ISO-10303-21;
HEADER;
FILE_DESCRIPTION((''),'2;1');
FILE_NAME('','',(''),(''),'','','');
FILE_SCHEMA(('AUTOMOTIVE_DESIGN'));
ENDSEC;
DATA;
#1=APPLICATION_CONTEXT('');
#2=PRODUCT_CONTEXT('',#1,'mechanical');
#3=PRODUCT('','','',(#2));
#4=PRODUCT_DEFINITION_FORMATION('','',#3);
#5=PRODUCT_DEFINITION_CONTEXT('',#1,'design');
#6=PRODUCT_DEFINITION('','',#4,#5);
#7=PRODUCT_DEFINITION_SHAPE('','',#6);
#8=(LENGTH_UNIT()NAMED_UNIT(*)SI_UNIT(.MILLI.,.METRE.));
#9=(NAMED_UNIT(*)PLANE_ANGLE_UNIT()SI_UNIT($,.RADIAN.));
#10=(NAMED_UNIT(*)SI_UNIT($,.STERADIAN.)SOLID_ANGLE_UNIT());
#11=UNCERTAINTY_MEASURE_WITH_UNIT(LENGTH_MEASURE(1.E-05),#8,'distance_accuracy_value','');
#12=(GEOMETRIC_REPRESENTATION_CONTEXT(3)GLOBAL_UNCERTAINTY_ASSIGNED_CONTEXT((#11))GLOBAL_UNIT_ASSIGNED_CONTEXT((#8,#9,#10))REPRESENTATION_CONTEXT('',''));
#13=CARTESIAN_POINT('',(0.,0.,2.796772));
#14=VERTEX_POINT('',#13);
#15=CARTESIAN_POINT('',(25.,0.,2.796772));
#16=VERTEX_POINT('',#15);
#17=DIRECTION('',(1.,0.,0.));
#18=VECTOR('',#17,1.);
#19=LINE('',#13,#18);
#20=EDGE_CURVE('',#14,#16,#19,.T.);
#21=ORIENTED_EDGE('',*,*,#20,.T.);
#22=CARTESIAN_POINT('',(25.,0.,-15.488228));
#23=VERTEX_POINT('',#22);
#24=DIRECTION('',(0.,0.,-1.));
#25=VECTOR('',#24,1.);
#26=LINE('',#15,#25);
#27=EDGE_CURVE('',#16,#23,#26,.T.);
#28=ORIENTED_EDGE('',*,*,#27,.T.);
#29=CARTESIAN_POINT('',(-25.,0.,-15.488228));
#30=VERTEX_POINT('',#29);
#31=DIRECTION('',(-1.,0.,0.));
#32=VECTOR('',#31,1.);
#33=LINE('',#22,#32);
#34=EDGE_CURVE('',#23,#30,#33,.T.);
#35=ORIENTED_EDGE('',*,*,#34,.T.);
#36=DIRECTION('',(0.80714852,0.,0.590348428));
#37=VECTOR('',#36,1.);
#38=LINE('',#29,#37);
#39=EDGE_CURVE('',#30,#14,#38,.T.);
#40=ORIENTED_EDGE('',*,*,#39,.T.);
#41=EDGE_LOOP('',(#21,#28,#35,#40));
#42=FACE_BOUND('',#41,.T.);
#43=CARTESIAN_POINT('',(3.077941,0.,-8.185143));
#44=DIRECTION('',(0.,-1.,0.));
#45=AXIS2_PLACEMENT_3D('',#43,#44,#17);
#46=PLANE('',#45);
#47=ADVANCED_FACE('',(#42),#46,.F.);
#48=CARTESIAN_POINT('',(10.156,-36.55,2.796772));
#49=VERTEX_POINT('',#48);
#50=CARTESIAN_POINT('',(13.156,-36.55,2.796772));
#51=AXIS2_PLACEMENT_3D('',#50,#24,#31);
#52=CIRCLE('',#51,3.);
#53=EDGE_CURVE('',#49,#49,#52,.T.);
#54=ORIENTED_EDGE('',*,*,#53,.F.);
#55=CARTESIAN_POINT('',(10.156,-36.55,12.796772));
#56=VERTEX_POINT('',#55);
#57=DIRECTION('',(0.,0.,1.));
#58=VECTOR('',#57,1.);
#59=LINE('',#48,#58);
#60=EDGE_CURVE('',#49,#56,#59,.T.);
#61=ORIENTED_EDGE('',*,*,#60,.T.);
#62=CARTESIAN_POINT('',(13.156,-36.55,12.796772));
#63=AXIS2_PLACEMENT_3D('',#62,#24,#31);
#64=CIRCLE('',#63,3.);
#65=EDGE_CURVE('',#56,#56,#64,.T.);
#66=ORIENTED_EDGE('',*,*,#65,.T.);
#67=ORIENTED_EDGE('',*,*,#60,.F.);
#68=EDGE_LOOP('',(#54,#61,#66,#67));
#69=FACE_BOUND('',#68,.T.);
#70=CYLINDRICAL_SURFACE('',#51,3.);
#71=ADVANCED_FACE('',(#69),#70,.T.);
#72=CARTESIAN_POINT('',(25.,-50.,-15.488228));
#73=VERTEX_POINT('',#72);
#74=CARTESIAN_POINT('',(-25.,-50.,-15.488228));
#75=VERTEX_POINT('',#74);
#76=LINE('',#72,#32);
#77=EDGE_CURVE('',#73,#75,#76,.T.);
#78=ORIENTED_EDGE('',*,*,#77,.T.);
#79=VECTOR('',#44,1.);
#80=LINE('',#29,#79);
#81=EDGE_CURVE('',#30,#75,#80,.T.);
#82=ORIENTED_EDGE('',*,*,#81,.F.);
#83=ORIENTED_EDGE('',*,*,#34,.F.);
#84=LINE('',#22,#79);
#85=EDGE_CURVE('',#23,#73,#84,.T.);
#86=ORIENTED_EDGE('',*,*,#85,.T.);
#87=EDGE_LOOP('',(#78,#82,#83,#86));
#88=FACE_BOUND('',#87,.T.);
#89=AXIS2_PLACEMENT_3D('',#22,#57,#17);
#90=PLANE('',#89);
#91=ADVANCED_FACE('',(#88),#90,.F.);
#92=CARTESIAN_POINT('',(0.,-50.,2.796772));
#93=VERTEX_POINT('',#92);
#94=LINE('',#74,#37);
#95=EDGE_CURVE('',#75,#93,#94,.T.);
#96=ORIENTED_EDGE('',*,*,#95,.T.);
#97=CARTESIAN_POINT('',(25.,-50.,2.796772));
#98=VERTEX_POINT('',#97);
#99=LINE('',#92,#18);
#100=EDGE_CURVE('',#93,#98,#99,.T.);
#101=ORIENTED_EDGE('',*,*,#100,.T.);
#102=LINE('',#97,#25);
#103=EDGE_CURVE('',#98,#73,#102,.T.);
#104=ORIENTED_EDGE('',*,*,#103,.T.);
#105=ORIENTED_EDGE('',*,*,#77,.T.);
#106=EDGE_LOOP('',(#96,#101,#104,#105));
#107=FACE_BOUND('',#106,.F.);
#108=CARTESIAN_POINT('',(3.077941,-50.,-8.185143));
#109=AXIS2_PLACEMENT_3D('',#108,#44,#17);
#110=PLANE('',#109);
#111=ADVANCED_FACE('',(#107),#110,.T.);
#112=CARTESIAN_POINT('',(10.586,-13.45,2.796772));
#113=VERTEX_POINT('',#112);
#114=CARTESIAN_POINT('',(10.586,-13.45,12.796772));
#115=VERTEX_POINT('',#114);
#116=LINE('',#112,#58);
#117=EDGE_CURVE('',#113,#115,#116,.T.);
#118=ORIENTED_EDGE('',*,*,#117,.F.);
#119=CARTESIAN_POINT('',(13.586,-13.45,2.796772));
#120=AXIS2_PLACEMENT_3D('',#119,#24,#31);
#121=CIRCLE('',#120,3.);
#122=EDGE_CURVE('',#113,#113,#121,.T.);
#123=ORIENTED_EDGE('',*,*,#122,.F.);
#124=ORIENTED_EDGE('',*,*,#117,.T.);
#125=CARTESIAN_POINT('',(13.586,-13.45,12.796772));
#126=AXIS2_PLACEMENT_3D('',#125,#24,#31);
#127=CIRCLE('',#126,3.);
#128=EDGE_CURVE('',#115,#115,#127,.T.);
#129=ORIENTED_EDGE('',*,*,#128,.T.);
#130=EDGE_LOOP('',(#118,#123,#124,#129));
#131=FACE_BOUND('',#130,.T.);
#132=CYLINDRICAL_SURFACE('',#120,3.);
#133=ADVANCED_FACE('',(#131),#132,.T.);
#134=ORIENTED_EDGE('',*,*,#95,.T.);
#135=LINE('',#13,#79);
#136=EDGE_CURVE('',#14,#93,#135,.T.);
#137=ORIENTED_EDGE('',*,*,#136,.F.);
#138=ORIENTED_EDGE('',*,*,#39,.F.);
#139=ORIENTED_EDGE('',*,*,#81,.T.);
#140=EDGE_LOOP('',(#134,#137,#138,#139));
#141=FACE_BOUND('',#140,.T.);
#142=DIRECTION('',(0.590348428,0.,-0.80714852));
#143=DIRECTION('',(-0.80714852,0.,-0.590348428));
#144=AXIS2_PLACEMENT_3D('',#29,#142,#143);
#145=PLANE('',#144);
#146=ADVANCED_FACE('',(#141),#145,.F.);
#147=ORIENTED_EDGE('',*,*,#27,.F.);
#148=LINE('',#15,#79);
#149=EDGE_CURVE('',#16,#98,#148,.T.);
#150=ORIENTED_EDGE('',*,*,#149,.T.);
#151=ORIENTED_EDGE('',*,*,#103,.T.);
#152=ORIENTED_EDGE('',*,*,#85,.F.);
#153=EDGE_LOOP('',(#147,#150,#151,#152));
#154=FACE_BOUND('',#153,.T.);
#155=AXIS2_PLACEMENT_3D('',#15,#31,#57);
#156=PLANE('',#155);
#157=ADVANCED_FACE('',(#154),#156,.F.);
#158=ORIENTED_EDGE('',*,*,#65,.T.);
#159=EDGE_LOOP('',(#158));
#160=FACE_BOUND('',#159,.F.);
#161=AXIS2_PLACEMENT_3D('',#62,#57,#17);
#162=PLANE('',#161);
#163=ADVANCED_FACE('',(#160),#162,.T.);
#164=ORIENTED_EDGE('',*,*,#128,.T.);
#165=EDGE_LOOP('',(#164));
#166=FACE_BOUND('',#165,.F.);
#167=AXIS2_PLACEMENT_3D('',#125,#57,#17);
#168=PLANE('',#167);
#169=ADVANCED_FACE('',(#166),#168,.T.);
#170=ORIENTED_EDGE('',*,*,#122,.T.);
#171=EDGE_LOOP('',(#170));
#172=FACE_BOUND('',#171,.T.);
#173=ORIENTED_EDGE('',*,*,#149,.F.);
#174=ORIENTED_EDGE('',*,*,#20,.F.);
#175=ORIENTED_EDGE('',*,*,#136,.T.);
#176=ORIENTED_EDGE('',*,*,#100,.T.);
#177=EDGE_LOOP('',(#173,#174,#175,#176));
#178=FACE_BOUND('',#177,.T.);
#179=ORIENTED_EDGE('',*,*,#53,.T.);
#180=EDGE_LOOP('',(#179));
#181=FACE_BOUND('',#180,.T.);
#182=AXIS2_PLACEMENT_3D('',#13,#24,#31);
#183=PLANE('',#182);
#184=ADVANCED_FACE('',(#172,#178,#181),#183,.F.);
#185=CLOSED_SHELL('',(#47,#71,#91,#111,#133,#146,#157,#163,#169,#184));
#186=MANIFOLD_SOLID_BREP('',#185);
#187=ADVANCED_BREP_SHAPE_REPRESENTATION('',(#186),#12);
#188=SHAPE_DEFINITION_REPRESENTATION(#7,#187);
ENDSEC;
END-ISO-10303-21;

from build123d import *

# Parameters (mm, degrees)
F1_DEPTH = 50
F2_R     = 3
F3_DEPTH = 10


with BuildPart() as f1:
    # F0 (on Front) → F1 (new body)
    with BuildSketch(Plane.XZ):
        Polygon((-25, 2.796772), (-25, -15.488228), (25, -15.488228), (0, 2.796772), align=None)
    extrude(amount=F1_DEPTH)

    # F2 (on face) → F3 (join)
    with BuildSketch(Plane.XY.offset(2.796772)):
        with Locations((-13.586, -13.45)):
            Circle(F2_R)
        with Locations((-13.156, -36.55)):
            Circle(F2_R)
    extrude(amount=F3_DEPTH)


with BuildPart() as f4_1:
    # F4: instance of F1
    add(f1.part.mirror(Plane.YZ))


solid = f4_1.part
